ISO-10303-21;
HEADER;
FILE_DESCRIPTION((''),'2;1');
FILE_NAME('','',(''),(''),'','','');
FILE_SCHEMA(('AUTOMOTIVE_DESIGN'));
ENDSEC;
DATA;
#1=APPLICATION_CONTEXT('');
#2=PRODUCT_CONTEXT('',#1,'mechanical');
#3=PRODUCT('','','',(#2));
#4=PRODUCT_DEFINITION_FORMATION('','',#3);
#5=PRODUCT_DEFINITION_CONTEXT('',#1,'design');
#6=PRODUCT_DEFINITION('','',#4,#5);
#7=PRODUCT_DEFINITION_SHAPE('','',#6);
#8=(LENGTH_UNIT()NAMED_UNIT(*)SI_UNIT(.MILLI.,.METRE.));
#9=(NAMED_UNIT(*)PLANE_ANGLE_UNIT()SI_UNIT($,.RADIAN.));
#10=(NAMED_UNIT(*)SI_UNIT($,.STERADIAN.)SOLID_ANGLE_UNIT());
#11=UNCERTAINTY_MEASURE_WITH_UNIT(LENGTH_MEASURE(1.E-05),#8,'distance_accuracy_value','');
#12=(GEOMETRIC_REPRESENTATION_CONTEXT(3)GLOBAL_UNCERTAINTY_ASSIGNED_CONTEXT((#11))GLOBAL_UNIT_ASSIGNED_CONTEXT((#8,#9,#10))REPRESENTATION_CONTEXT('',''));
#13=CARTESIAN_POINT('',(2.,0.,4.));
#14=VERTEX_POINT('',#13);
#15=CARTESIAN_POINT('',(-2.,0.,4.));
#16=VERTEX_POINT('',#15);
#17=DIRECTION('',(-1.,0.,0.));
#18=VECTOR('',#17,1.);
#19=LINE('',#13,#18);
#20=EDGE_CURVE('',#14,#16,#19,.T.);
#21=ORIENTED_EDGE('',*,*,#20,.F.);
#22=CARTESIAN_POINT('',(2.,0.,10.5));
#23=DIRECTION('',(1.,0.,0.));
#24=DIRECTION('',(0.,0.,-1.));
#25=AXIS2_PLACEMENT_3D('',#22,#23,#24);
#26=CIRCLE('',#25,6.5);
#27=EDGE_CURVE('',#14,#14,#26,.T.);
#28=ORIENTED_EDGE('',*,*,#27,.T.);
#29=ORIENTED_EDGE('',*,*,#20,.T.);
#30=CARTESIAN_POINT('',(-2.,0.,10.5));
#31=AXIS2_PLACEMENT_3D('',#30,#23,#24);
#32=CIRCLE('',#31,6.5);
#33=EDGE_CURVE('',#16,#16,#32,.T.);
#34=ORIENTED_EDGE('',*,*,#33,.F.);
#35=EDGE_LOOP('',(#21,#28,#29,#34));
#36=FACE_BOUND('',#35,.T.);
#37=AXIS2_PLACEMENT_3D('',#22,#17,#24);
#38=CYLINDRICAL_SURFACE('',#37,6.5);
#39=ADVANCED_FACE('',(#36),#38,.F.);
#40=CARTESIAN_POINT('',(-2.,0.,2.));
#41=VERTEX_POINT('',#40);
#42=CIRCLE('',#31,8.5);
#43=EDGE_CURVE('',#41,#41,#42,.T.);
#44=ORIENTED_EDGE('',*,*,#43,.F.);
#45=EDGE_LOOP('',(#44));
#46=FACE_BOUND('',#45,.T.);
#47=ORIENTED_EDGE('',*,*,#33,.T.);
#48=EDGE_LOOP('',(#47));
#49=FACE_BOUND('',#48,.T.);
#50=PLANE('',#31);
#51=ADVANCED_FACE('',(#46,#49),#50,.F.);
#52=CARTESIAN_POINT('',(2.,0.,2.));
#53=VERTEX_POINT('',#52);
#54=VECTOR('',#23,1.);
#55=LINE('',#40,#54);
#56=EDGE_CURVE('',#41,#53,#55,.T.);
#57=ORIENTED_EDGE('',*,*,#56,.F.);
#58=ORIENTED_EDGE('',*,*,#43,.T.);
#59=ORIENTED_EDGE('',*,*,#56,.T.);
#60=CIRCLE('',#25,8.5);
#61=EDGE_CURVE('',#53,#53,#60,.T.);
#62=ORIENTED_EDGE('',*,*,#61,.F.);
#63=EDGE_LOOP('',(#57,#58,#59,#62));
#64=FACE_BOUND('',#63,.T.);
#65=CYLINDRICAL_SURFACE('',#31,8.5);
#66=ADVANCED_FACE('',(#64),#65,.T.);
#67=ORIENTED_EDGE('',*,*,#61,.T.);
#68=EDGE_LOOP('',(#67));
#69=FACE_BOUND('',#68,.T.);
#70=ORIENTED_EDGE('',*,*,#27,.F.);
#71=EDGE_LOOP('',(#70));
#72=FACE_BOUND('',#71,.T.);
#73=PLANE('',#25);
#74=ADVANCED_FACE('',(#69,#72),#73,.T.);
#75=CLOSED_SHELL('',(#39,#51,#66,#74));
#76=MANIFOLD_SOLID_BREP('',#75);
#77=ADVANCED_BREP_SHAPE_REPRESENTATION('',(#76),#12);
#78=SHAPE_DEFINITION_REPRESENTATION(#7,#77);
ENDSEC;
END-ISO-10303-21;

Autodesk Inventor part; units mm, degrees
ref_plane "YZ Plane" through (0, 0, 0) normal (1, 0, 0) x (0, 1, 0)
ref_plane "XZ Plane" through (0, 0, 0) normal (0, 1, 0) x (-1, 0, 0)
ref_plane "XY Plane" through (0, 0, 0) normal (0, 0, 1) x (1, 0, 0)
sketch "Sketch1" plane through (0, 0, 0) normal (0, 1, 0) x (-1, 0, 0)
  circle A0 centre (0, 0) radius 2.8284
  line L0 (0, 0) -> (-2.8284, 0)
  line L1 (-2.8284, 0) -> (-2.8284, -2.8284)
  line L2 (-2.8284, -2.8284) -> (0, -2.8284)
  line L3 (0, -2.8284) -> (0, 0)
  line L4 (0, 0) -> (-2.8284, -2.8284)
  line L5 (2, 2) -> (-2, 2)
  line L6 (-2, 2) -> (-2, -2)
  line L7 (-2, -2) -> (2, -2)
  line L8 (2, -2) -> (2, 2)
  line L9 (2, 2) -> (-2, -2) construction
  line L10 (-2, 2) -> (2, -2) construction
  line L11 (2, 2) -> (-2, 2)
  line L12 (-2, 2) -> (-2, 4)
  line L13 (-2, 4) -> (2, 4)
  line L14 (2, 4) -> (2, 2)
  line L15 (0, 4) -> (0, 10.5)
  line L16 (2.8284, 10.5) -> (-3.1539, 10.5)
  dimension "d2" = 4
  dimension "d3" = 2
  dimension "d4" = 6.5
  dimension "d5" = 2
revolve "Revolution1" add sketch "Sketch1" angle 360 about axis through (-2.8284, 0, 10.5) along (1, 0, 0) contours L5 A0 | A0 L12 L13 L14
properties part number "guide_profile" material "PET Plastic White"
